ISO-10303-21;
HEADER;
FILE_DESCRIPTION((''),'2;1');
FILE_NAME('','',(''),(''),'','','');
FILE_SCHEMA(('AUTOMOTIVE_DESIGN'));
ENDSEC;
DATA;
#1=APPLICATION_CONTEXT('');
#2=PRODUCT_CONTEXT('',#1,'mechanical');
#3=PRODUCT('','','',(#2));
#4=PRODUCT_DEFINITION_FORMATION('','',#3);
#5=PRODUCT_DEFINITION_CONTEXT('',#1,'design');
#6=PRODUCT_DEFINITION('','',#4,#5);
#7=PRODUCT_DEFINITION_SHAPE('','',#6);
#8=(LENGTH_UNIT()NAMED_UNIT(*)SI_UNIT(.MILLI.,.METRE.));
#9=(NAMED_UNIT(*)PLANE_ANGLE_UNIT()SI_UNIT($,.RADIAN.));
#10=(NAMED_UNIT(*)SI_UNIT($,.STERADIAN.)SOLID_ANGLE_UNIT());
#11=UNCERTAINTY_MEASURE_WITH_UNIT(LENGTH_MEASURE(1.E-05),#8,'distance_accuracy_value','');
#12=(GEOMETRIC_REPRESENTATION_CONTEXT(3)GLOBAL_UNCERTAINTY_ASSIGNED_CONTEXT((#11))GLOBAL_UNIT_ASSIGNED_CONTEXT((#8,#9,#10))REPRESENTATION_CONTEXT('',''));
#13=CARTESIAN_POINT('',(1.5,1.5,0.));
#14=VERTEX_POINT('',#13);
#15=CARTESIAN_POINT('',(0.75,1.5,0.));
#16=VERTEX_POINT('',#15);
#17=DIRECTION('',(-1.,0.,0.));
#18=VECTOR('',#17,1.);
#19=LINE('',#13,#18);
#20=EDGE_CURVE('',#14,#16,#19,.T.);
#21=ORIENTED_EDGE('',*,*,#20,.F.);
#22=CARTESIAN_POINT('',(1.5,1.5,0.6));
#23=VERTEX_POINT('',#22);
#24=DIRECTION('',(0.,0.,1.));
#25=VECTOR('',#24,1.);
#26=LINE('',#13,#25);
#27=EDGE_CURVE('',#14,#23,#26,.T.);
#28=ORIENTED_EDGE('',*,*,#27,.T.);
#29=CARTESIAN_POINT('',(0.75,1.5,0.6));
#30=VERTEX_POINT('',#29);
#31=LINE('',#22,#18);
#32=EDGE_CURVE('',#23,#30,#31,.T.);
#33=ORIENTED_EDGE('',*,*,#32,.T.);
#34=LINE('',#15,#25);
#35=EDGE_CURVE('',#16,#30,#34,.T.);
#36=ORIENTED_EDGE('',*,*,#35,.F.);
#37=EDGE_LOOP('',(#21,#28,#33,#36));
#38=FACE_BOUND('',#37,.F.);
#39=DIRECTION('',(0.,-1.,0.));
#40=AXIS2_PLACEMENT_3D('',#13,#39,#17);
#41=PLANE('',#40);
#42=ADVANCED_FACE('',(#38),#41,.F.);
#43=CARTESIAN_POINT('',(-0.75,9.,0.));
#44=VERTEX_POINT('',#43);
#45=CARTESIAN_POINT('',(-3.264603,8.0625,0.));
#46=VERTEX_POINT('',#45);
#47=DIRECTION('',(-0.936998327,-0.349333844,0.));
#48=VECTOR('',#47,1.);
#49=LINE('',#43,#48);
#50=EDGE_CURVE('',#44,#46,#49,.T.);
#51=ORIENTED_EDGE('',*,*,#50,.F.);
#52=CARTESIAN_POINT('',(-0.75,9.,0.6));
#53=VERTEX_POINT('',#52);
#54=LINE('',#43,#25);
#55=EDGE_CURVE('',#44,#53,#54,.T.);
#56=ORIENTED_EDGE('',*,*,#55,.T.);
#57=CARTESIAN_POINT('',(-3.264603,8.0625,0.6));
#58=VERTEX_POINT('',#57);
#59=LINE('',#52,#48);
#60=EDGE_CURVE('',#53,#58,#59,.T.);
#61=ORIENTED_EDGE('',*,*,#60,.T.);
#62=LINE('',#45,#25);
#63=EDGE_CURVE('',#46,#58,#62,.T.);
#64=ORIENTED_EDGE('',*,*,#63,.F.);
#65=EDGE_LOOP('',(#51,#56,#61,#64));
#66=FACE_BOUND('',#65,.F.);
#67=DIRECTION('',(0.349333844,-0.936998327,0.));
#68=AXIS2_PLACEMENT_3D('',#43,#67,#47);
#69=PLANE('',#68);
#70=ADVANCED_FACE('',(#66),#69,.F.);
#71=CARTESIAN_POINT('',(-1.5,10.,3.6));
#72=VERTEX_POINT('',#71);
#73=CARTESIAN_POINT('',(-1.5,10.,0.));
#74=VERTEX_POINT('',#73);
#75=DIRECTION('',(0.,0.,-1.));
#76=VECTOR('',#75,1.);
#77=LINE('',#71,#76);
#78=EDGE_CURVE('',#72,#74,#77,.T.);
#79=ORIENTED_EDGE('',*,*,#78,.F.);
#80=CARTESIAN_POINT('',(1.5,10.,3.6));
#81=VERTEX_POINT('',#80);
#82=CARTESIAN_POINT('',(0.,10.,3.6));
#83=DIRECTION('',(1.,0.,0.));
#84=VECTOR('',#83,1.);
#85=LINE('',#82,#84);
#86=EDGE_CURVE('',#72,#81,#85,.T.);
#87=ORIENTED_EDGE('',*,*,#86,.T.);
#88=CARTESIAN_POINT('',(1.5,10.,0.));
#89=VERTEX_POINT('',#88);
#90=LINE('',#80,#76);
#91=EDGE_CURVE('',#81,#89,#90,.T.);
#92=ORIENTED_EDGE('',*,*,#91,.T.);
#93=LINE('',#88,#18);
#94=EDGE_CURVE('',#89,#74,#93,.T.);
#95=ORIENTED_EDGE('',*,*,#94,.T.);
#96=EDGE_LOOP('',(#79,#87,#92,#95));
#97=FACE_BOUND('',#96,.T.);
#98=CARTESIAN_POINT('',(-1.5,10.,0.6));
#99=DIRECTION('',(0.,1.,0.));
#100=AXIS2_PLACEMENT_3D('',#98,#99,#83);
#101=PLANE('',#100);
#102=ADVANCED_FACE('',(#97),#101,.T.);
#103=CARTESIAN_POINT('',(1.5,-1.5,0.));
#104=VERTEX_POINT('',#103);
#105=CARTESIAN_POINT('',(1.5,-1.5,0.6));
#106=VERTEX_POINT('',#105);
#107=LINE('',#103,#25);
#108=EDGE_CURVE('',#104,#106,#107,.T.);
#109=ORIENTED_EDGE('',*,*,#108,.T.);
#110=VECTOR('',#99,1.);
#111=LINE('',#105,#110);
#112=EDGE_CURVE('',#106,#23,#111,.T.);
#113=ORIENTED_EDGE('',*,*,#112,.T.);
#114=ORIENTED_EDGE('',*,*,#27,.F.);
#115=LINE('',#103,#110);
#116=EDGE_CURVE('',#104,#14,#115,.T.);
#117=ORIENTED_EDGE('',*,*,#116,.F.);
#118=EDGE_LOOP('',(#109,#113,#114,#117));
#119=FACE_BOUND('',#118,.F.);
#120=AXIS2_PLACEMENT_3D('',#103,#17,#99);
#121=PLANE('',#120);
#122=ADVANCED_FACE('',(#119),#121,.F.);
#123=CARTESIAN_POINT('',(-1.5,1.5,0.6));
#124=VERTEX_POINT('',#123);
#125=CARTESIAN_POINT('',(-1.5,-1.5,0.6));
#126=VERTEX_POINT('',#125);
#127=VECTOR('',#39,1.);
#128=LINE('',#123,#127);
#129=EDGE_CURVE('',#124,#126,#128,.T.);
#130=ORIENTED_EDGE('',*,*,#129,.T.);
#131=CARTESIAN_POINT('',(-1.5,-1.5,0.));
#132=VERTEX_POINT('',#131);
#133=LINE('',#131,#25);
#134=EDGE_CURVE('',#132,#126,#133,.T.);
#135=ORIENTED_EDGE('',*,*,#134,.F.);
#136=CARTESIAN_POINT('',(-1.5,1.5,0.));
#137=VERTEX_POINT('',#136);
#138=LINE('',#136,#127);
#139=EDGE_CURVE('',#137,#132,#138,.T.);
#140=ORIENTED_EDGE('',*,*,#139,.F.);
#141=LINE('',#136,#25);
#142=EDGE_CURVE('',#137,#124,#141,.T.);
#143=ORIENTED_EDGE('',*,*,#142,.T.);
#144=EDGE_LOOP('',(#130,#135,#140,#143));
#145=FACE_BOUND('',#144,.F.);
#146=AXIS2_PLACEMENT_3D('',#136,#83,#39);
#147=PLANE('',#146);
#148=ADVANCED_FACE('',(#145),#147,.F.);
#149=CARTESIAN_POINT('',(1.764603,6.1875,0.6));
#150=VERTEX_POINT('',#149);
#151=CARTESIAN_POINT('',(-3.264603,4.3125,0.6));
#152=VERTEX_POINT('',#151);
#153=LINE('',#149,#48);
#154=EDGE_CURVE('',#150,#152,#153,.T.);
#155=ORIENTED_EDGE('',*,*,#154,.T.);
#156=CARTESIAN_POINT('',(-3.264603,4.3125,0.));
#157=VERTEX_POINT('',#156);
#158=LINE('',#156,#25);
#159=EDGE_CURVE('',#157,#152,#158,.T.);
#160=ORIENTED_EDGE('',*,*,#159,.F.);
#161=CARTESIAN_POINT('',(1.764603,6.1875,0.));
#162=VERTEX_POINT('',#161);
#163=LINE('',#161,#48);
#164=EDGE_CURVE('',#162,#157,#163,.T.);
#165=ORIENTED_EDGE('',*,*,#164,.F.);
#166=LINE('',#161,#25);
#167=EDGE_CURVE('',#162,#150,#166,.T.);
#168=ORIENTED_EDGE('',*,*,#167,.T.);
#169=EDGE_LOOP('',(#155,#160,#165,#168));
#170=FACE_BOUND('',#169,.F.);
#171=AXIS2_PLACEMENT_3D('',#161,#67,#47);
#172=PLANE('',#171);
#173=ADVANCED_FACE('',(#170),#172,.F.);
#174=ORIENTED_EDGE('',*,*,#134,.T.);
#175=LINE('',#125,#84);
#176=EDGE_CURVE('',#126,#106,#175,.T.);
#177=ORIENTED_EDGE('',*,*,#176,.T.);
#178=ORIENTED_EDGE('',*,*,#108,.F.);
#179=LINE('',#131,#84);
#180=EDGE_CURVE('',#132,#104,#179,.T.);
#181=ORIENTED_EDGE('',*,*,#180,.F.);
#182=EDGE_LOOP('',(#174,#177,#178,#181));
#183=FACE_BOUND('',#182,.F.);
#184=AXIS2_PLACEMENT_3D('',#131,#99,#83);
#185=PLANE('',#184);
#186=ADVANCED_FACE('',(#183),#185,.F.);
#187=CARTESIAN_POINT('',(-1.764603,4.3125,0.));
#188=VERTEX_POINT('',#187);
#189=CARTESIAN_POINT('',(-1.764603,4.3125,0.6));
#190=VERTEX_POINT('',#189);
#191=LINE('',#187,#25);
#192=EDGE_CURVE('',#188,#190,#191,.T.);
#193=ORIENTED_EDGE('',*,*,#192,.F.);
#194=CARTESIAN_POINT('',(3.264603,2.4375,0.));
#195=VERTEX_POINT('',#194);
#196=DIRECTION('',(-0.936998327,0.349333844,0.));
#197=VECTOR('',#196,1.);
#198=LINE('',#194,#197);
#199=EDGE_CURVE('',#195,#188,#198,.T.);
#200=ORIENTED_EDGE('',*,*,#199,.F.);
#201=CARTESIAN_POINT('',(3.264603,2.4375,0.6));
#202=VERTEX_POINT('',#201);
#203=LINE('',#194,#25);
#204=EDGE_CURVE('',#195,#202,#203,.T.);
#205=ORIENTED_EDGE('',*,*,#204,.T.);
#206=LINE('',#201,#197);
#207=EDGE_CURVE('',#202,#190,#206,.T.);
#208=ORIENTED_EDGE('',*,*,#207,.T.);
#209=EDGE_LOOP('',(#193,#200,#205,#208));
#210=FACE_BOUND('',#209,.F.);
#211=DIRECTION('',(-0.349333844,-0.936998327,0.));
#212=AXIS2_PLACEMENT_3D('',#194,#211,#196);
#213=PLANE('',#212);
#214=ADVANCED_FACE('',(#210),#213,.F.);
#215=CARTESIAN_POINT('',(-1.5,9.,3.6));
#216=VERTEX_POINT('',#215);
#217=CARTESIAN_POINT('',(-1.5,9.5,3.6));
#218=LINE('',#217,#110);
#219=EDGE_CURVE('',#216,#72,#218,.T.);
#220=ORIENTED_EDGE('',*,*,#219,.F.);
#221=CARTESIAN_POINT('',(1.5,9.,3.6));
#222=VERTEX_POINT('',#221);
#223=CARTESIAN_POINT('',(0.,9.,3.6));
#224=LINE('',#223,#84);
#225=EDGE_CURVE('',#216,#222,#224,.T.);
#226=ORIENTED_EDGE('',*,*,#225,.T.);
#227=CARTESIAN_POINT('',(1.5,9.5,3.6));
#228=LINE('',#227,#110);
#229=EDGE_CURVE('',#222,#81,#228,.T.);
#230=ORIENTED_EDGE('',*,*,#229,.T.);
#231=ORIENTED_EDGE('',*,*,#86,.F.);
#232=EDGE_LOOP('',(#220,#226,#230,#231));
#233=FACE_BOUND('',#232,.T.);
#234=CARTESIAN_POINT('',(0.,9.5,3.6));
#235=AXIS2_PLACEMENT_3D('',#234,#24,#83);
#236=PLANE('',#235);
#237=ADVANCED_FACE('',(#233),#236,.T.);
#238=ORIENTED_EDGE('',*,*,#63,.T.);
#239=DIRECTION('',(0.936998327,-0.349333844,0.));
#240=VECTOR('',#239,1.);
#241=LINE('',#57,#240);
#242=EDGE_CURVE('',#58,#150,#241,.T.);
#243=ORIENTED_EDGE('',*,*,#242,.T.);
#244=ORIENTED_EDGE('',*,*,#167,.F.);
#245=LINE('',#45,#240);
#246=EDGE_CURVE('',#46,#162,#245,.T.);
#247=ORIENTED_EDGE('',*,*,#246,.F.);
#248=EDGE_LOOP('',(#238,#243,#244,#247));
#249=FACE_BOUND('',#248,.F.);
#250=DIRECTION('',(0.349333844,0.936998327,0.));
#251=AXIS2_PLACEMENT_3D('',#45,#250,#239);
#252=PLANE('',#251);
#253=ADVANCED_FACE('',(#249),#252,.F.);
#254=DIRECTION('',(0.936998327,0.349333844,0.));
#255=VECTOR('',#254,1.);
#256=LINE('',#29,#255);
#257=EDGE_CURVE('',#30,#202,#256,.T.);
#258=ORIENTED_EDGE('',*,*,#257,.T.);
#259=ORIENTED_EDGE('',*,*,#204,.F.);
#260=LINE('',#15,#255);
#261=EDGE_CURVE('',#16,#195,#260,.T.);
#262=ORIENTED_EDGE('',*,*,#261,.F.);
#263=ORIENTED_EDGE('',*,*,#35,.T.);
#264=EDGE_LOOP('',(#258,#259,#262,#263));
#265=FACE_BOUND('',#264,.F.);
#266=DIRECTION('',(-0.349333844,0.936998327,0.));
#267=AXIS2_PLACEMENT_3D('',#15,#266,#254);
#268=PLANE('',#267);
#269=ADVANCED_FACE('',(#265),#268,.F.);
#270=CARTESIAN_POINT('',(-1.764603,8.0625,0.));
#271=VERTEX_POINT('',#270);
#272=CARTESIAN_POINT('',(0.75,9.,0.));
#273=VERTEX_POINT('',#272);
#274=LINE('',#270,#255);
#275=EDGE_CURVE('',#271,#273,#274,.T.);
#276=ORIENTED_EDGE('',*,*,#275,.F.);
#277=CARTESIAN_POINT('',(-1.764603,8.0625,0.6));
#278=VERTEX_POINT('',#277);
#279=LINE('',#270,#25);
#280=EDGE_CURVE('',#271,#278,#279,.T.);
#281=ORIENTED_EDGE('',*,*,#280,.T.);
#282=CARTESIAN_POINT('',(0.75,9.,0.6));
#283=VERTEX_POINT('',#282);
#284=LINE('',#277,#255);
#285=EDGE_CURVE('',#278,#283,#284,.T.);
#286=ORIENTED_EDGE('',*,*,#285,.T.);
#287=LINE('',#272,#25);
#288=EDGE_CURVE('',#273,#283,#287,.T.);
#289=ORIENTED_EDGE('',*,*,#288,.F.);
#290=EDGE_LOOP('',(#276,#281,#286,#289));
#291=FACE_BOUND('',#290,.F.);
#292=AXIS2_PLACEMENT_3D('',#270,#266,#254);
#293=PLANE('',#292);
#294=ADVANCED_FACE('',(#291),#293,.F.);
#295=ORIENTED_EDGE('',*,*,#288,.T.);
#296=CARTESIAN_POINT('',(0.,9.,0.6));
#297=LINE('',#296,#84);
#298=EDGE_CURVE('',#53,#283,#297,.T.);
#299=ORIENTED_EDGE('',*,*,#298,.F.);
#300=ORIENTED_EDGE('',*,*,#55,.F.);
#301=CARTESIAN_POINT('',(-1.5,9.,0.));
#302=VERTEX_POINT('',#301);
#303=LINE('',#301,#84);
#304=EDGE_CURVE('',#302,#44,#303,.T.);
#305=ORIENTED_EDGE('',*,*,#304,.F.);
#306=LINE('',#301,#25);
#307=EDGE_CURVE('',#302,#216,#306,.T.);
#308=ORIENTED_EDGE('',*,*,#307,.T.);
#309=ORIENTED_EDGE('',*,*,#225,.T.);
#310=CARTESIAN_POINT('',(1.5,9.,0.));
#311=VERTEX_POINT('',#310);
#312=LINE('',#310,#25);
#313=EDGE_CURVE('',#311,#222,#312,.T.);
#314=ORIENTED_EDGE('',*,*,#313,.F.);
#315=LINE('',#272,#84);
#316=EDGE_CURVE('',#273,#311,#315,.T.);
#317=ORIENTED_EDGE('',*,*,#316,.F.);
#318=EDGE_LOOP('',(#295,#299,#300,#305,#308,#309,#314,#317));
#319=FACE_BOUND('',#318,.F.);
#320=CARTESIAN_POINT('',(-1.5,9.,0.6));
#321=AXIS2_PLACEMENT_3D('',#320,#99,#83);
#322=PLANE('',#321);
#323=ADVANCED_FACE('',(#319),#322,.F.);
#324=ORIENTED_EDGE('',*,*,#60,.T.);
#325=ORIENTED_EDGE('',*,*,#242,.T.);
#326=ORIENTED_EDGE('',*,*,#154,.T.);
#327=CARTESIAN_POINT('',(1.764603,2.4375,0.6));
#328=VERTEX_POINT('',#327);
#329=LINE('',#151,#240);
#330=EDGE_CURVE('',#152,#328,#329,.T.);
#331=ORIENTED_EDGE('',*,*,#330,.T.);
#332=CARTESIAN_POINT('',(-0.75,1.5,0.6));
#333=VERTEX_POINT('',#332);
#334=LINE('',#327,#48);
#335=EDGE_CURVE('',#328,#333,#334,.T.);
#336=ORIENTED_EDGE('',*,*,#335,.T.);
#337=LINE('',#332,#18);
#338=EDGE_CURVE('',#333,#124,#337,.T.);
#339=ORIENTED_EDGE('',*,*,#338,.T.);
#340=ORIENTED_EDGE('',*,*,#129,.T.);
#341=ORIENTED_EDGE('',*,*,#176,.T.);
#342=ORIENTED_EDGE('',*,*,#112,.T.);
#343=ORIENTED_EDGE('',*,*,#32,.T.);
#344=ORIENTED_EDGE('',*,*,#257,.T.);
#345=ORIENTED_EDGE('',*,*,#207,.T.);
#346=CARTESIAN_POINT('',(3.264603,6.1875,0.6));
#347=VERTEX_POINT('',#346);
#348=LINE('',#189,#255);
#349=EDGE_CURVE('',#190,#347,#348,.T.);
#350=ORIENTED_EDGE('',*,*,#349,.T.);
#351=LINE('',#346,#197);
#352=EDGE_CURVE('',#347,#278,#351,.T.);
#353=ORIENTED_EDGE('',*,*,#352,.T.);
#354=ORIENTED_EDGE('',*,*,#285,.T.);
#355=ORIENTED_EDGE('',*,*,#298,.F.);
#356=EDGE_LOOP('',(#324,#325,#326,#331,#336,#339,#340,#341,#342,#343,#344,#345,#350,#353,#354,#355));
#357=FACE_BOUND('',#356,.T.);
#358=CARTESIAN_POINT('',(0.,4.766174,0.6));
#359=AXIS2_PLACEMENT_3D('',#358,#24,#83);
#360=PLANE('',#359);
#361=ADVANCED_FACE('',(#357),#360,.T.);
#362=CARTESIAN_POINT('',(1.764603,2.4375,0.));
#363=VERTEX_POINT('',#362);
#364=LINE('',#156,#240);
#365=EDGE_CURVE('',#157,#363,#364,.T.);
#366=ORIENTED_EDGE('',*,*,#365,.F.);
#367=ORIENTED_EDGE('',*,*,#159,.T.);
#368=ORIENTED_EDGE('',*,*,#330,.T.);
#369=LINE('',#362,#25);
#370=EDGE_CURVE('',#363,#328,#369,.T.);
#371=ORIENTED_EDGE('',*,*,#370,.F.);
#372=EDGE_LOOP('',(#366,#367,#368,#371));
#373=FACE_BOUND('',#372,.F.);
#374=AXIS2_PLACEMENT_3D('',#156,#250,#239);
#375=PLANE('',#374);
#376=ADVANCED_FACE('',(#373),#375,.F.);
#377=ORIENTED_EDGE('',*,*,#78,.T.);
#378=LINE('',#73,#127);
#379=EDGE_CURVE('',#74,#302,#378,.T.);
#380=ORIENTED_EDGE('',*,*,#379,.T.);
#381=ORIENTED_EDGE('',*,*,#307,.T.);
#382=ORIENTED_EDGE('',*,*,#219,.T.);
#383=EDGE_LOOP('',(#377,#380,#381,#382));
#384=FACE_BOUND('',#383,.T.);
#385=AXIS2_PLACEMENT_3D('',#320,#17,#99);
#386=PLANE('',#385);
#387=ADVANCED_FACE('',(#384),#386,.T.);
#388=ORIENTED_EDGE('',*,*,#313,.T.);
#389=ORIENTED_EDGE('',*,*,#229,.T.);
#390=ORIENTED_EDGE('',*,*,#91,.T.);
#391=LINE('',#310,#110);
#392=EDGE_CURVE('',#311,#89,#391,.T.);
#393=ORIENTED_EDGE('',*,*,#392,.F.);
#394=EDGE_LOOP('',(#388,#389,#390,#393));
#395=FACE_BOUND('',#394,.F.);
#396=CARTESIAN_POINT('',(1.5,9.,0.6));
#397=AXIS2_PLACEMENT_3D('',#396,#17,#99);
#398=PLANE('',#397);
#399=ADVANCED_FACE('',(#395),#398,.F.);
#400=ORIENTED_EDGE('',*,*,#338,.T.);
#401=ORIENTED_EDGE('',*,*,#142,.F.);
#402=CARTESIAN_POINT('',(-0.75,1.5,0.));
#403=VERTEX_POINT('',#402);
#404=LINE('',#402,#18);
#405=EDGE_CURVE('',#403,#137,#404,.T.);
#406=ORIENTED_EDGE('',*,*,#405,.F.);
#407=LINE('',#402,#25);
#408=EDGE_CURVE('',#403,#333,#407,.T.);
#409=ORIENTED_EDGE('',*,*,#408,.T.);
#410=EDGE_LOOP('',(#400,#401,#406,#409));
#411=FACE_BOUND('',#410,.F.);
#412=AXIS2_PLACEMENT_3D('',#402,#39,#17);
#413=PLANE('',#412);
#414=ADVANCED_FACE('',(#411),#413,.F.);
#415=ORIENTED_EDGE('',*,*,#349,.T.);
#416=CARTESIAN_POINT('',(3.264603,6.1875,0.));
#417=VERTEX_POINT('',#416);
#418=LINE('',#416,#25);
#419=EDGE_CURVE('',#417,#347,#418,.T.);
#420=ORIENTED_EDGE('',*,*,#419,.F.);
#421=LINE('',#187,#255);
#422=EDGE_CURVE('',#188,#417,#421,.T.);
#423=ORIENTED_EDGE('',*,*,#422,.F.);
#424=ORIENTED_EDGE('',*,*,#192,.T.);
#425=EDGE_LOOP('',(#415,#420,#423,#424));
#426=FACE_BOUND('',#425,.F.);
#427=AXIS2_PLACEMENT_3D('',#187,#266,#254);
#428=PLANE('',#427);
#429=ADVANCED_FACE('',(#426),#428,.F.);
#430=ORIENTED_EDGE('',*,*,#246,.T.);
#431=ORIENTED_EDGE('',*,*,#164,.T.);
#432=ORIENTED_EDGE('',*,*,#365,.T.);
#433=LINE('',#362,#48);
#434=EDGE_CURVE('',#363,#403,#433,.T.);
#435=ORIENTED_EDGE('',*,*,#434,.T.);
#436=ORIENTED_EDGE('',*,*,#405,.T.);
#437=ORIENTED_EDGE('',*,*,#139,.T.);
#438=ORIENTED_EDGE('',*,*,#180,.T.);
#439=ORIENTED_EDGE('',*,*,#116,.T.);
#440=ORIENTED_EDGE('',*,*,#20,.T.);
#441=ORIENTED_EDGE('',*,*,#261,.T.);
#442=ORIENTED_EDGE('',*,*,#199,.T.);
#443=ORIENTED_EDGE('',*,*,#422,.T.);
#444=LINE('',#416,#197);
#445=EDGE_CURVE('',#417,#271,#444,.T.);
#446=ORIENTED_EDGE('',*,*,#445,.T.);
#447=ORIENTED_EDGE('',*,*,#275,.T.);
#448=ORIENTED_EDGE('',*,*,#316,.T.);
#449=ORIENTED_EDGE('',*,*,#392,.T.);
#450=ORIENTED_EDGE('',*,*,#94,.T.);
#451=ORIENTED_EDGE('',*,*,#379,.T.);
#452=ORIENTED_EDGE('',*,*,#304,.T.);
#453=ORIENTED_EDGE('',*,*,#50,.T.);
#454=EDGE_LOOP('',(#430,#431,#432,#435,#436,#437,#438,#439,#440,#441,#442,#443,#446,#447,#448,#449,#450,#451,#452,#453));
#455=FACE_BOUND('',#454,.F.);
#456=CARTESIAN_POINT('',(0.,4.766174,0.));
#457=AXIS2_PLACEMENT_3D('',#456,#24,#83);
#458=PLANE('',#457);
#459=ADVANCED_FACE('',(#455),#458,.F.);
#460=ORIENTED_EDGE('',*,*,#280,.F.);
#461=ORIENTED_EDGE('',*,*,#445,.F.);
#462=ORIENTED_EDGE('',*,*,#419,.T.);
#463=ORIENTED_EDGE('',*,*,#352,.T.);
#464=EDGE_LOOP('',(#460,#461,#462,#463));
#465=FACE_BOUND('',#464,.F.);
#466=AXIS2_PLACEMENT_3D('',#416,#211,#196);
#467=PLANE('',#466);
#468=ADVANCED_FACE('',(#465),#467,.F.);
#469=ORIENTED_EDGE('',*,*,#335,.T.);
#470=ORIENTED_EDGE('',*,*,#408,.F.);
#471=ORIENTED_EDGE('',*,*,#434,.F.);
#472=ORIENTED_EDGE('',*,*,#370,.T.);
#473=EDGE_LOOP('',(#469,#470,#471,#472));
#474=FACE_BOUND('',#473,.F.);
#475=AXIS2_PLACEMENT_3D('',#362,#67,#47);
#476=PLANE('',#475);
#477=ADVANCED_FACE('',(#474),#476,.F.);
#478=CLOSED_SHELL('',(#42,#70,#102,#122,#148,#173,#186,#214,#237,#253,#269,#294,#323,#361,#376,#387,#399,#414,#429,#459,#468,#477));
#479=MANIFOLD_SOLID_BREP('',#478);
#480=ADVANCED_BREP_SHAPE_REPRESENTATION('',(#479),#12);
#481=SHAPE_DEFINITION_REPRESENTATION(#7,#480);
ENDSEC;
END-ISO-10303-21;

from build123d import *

# Parameters (mm, degrees)
PAD_DEPTH    = 0.6
SKETCH001_W  = 3
SKETCH001_H  = 1
PAD001_DEPTH = 3


with BuildPart() as part:
    # Sketch → Pad (new body)
    with BuildSketch(Plane.XY):
        Polygon((-0.75, 1.5), (-1.5, 1.5), (-1.5, -1.5), (1.5, -1.5), (1.5, 1.5), (0.75, 1.5), (3.264603, 2.4375), (-1.764603, 4.3125), (3.264603, 6.1875), (-1.764603, 8.0625), (0.75, 9), (1.5, 9), (1.5, 10), (-1.5, 10), (-1.5, 9), (-0.75, 9), (-3.264603, 8.0625), (1.764603, 6.1875), (-3.264603, 4.3125), (1.764603, 2.4375), align=None)
    extrude(amount=PAD_DEPTH)

    # Sketch001 → Pad001 (new body)
    with BuildSketch(Plane.XY.offset(0.6)):
        with Locations((0, 9.5)):
            Rectangle(SKETCH001_W, SKETCH001_H)
    extrude(amount=PAD001_DEPTH)


solid = part.part
